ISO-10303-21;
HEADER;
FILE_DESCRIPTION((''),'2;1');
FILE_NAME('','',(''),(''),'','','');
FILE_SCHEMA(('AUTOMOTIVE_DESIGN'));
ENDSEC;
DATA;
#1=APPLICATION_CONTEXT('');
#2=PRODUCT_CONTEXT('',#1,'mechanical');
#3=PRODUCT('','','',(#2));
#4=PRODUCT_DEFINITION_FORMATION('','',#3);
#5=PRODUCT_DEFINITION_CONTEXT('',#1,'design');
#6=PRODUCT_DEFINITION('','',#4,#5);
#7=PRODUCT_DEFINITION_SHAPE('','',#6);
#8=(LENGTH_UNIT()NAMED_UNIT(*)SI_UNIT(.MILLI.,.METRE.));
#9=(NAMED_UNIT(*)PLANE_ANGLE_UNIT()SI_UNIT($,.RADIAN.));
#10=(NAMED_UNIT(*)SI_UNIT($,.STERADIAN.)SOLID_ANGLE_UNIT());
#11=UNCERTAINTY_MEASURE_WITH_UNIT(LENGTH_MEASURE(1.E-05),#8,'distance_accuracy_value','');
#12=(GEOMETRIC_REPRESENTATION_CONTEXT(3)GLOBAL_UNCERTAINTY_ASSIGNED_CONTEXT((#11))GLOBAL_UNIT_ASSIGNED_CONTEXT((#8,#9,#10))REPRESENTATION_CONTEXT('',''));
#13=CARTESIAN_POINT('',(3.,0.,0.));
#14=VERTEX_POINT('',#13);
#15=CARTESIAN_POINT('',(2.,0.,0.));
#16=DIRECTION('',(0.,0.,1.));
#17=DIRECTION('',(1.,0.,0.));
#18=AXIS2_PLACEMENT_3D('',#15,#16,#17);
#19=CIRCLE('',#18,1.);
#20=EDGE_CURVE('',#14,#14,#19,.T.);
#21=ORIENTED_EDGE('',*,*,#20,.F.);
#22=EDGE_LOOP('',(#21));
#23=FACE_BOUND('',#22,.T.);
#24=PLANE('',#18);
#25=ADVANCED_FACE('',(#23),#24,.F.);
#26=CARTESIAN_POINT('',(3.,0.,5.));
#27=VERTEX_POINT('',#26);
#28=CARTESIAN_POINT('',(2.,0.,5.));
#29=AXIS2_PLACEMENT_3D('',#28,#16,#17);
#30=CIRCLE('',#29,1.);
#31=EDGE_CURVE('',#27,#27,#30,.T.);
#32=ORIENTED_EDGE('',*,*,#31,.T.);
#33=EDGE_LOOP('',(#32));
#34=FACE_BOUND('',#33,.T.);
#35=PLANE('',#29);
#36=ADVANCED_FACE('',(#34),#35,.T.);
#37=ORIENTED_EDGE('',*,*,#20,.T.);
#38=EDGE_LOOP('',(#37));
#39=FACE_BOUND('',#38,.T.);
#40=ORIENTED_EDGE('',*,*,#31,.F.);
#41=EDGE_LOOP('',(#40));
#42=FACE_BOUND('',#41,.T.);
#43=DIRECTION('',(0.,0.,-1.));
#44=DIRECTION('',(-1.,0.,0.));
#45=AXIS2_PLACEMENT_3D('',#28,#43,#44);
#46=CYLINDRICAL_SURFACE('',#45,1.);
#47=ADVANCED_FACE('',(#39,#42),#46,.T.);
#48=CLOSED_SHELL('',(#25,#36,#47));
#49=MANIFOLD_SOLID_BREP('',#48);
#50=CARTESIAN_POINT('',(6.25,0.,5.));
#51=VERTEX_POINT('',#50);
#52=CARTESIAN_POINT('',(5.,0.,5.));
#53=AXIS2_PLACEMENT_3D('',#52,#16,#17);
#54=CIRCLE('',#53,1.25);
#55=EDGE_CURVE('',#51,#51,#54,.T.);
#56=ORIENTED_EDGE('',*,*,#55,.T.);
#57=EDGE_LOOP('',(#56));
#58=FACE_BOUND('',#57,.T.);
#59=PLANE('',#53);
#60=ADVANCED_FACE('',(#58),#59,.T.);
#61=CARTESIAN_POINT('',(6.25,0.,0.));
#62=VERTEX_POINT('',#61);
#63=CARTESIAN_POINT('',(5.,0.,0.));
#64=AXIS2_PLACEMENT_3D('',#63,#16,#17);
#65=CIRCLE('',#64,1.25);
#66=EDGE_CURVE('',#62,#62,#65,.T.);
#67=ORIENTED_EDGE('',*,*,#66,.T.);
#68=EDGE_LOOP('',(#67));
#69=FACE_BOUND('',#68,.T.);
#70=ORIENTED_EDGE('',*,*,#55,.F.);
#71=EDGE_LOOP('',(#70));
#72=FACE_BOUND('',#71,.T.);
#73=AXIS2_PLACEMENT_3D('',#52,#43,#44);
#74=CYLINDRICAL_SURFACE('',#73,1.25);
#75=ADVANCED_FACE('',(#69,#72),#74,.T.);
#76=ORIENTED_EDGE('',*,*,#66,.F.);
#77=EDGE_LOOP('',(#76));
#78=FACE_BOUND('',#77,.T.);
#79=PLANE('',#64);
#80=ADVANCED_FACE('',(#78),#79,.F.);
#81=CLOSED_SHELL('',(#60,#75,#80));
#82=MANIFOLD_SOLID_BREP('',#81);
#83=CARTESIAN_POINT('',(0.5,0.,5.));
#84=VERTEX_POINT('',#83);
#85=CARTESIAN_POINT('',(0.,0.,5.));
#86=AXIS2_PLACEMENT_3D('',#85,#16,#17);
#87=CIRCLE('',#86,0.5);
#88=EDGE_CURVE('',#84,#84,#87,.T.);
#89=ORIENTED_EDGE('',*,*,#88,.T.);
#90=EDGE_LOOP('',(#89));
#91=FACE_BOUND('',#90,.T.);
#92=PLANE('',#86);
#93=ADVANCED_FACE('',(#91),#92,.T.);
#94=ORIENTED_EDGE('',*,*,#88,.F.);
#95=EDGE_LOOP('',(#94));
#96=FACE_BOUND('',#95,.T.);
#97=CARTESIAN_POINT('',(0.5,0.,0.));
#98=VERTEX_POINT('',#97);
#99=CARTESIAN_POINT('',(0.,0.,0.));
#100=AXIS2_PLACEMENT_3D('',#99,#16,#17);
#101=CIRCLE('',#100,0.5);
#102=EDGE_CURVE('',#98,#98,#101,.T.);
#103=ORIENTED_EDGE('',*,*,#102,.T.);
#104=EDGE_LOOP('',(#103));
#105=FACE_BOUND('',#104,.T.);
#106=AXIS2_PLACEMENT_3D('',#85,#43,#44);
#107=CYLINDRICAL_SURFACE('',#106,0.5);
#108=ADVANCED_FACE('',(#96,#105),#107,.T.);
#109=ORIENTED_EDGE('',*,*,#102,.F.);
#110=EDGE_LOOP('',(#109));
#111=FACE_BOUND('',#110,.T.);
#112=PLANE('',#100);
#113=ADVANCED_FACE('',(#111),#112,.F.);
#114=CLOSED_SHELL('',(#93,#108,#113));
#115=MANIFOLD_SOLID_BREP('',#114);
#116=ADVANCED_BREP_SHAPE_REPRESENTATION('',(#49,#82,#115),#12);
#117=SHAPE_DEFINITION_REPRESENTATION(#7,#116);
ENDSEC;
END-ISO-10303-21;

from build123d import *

# Parameters (mm, degrees)
SKETCH1_R             = 0.5
BOSS_EXTRUDE1_DEPTH   = 5
SKETCH1_R_2           = 1
BOSS_EXTRUDE1_2_DEPTH = 5
SKETCH1_R_3           = 1.25
BOSS_EXTRUDE1_3_DEPTH = 5


with BuildPart() as part:
    # Sketch1 → Boss-Extrude1 (new body)
    with BuildSketch(Plane.XY):
        Circle(SKETCH1_R)
    extrude(amount=BOSS_EXTRUDE1_DEPTH)


with BuildPart() as body_2:
    # Sketch1 → Boss-Extrude1 2 (new body)
    with BuildSketch(Plane.XY):
        with Locations((2, 0)):
            Circle(SKETCH1_R_2)
    extrude(amount=BOSS_EXTRUDE1_2_DEPTH)


with BuildPart() as body_3:
    # Sketch1 → Boss-Extrude1 3 (new body)
    with BuildSketch(Plane.XY):
        with Locations((5, 0)):
            Circle(SKETCH1_R_3)
    extrude(amount=BOSS_EXTRUDE1_3_DEPTH)


solid = Compound([part.part, body_2.part, body_3.part])
